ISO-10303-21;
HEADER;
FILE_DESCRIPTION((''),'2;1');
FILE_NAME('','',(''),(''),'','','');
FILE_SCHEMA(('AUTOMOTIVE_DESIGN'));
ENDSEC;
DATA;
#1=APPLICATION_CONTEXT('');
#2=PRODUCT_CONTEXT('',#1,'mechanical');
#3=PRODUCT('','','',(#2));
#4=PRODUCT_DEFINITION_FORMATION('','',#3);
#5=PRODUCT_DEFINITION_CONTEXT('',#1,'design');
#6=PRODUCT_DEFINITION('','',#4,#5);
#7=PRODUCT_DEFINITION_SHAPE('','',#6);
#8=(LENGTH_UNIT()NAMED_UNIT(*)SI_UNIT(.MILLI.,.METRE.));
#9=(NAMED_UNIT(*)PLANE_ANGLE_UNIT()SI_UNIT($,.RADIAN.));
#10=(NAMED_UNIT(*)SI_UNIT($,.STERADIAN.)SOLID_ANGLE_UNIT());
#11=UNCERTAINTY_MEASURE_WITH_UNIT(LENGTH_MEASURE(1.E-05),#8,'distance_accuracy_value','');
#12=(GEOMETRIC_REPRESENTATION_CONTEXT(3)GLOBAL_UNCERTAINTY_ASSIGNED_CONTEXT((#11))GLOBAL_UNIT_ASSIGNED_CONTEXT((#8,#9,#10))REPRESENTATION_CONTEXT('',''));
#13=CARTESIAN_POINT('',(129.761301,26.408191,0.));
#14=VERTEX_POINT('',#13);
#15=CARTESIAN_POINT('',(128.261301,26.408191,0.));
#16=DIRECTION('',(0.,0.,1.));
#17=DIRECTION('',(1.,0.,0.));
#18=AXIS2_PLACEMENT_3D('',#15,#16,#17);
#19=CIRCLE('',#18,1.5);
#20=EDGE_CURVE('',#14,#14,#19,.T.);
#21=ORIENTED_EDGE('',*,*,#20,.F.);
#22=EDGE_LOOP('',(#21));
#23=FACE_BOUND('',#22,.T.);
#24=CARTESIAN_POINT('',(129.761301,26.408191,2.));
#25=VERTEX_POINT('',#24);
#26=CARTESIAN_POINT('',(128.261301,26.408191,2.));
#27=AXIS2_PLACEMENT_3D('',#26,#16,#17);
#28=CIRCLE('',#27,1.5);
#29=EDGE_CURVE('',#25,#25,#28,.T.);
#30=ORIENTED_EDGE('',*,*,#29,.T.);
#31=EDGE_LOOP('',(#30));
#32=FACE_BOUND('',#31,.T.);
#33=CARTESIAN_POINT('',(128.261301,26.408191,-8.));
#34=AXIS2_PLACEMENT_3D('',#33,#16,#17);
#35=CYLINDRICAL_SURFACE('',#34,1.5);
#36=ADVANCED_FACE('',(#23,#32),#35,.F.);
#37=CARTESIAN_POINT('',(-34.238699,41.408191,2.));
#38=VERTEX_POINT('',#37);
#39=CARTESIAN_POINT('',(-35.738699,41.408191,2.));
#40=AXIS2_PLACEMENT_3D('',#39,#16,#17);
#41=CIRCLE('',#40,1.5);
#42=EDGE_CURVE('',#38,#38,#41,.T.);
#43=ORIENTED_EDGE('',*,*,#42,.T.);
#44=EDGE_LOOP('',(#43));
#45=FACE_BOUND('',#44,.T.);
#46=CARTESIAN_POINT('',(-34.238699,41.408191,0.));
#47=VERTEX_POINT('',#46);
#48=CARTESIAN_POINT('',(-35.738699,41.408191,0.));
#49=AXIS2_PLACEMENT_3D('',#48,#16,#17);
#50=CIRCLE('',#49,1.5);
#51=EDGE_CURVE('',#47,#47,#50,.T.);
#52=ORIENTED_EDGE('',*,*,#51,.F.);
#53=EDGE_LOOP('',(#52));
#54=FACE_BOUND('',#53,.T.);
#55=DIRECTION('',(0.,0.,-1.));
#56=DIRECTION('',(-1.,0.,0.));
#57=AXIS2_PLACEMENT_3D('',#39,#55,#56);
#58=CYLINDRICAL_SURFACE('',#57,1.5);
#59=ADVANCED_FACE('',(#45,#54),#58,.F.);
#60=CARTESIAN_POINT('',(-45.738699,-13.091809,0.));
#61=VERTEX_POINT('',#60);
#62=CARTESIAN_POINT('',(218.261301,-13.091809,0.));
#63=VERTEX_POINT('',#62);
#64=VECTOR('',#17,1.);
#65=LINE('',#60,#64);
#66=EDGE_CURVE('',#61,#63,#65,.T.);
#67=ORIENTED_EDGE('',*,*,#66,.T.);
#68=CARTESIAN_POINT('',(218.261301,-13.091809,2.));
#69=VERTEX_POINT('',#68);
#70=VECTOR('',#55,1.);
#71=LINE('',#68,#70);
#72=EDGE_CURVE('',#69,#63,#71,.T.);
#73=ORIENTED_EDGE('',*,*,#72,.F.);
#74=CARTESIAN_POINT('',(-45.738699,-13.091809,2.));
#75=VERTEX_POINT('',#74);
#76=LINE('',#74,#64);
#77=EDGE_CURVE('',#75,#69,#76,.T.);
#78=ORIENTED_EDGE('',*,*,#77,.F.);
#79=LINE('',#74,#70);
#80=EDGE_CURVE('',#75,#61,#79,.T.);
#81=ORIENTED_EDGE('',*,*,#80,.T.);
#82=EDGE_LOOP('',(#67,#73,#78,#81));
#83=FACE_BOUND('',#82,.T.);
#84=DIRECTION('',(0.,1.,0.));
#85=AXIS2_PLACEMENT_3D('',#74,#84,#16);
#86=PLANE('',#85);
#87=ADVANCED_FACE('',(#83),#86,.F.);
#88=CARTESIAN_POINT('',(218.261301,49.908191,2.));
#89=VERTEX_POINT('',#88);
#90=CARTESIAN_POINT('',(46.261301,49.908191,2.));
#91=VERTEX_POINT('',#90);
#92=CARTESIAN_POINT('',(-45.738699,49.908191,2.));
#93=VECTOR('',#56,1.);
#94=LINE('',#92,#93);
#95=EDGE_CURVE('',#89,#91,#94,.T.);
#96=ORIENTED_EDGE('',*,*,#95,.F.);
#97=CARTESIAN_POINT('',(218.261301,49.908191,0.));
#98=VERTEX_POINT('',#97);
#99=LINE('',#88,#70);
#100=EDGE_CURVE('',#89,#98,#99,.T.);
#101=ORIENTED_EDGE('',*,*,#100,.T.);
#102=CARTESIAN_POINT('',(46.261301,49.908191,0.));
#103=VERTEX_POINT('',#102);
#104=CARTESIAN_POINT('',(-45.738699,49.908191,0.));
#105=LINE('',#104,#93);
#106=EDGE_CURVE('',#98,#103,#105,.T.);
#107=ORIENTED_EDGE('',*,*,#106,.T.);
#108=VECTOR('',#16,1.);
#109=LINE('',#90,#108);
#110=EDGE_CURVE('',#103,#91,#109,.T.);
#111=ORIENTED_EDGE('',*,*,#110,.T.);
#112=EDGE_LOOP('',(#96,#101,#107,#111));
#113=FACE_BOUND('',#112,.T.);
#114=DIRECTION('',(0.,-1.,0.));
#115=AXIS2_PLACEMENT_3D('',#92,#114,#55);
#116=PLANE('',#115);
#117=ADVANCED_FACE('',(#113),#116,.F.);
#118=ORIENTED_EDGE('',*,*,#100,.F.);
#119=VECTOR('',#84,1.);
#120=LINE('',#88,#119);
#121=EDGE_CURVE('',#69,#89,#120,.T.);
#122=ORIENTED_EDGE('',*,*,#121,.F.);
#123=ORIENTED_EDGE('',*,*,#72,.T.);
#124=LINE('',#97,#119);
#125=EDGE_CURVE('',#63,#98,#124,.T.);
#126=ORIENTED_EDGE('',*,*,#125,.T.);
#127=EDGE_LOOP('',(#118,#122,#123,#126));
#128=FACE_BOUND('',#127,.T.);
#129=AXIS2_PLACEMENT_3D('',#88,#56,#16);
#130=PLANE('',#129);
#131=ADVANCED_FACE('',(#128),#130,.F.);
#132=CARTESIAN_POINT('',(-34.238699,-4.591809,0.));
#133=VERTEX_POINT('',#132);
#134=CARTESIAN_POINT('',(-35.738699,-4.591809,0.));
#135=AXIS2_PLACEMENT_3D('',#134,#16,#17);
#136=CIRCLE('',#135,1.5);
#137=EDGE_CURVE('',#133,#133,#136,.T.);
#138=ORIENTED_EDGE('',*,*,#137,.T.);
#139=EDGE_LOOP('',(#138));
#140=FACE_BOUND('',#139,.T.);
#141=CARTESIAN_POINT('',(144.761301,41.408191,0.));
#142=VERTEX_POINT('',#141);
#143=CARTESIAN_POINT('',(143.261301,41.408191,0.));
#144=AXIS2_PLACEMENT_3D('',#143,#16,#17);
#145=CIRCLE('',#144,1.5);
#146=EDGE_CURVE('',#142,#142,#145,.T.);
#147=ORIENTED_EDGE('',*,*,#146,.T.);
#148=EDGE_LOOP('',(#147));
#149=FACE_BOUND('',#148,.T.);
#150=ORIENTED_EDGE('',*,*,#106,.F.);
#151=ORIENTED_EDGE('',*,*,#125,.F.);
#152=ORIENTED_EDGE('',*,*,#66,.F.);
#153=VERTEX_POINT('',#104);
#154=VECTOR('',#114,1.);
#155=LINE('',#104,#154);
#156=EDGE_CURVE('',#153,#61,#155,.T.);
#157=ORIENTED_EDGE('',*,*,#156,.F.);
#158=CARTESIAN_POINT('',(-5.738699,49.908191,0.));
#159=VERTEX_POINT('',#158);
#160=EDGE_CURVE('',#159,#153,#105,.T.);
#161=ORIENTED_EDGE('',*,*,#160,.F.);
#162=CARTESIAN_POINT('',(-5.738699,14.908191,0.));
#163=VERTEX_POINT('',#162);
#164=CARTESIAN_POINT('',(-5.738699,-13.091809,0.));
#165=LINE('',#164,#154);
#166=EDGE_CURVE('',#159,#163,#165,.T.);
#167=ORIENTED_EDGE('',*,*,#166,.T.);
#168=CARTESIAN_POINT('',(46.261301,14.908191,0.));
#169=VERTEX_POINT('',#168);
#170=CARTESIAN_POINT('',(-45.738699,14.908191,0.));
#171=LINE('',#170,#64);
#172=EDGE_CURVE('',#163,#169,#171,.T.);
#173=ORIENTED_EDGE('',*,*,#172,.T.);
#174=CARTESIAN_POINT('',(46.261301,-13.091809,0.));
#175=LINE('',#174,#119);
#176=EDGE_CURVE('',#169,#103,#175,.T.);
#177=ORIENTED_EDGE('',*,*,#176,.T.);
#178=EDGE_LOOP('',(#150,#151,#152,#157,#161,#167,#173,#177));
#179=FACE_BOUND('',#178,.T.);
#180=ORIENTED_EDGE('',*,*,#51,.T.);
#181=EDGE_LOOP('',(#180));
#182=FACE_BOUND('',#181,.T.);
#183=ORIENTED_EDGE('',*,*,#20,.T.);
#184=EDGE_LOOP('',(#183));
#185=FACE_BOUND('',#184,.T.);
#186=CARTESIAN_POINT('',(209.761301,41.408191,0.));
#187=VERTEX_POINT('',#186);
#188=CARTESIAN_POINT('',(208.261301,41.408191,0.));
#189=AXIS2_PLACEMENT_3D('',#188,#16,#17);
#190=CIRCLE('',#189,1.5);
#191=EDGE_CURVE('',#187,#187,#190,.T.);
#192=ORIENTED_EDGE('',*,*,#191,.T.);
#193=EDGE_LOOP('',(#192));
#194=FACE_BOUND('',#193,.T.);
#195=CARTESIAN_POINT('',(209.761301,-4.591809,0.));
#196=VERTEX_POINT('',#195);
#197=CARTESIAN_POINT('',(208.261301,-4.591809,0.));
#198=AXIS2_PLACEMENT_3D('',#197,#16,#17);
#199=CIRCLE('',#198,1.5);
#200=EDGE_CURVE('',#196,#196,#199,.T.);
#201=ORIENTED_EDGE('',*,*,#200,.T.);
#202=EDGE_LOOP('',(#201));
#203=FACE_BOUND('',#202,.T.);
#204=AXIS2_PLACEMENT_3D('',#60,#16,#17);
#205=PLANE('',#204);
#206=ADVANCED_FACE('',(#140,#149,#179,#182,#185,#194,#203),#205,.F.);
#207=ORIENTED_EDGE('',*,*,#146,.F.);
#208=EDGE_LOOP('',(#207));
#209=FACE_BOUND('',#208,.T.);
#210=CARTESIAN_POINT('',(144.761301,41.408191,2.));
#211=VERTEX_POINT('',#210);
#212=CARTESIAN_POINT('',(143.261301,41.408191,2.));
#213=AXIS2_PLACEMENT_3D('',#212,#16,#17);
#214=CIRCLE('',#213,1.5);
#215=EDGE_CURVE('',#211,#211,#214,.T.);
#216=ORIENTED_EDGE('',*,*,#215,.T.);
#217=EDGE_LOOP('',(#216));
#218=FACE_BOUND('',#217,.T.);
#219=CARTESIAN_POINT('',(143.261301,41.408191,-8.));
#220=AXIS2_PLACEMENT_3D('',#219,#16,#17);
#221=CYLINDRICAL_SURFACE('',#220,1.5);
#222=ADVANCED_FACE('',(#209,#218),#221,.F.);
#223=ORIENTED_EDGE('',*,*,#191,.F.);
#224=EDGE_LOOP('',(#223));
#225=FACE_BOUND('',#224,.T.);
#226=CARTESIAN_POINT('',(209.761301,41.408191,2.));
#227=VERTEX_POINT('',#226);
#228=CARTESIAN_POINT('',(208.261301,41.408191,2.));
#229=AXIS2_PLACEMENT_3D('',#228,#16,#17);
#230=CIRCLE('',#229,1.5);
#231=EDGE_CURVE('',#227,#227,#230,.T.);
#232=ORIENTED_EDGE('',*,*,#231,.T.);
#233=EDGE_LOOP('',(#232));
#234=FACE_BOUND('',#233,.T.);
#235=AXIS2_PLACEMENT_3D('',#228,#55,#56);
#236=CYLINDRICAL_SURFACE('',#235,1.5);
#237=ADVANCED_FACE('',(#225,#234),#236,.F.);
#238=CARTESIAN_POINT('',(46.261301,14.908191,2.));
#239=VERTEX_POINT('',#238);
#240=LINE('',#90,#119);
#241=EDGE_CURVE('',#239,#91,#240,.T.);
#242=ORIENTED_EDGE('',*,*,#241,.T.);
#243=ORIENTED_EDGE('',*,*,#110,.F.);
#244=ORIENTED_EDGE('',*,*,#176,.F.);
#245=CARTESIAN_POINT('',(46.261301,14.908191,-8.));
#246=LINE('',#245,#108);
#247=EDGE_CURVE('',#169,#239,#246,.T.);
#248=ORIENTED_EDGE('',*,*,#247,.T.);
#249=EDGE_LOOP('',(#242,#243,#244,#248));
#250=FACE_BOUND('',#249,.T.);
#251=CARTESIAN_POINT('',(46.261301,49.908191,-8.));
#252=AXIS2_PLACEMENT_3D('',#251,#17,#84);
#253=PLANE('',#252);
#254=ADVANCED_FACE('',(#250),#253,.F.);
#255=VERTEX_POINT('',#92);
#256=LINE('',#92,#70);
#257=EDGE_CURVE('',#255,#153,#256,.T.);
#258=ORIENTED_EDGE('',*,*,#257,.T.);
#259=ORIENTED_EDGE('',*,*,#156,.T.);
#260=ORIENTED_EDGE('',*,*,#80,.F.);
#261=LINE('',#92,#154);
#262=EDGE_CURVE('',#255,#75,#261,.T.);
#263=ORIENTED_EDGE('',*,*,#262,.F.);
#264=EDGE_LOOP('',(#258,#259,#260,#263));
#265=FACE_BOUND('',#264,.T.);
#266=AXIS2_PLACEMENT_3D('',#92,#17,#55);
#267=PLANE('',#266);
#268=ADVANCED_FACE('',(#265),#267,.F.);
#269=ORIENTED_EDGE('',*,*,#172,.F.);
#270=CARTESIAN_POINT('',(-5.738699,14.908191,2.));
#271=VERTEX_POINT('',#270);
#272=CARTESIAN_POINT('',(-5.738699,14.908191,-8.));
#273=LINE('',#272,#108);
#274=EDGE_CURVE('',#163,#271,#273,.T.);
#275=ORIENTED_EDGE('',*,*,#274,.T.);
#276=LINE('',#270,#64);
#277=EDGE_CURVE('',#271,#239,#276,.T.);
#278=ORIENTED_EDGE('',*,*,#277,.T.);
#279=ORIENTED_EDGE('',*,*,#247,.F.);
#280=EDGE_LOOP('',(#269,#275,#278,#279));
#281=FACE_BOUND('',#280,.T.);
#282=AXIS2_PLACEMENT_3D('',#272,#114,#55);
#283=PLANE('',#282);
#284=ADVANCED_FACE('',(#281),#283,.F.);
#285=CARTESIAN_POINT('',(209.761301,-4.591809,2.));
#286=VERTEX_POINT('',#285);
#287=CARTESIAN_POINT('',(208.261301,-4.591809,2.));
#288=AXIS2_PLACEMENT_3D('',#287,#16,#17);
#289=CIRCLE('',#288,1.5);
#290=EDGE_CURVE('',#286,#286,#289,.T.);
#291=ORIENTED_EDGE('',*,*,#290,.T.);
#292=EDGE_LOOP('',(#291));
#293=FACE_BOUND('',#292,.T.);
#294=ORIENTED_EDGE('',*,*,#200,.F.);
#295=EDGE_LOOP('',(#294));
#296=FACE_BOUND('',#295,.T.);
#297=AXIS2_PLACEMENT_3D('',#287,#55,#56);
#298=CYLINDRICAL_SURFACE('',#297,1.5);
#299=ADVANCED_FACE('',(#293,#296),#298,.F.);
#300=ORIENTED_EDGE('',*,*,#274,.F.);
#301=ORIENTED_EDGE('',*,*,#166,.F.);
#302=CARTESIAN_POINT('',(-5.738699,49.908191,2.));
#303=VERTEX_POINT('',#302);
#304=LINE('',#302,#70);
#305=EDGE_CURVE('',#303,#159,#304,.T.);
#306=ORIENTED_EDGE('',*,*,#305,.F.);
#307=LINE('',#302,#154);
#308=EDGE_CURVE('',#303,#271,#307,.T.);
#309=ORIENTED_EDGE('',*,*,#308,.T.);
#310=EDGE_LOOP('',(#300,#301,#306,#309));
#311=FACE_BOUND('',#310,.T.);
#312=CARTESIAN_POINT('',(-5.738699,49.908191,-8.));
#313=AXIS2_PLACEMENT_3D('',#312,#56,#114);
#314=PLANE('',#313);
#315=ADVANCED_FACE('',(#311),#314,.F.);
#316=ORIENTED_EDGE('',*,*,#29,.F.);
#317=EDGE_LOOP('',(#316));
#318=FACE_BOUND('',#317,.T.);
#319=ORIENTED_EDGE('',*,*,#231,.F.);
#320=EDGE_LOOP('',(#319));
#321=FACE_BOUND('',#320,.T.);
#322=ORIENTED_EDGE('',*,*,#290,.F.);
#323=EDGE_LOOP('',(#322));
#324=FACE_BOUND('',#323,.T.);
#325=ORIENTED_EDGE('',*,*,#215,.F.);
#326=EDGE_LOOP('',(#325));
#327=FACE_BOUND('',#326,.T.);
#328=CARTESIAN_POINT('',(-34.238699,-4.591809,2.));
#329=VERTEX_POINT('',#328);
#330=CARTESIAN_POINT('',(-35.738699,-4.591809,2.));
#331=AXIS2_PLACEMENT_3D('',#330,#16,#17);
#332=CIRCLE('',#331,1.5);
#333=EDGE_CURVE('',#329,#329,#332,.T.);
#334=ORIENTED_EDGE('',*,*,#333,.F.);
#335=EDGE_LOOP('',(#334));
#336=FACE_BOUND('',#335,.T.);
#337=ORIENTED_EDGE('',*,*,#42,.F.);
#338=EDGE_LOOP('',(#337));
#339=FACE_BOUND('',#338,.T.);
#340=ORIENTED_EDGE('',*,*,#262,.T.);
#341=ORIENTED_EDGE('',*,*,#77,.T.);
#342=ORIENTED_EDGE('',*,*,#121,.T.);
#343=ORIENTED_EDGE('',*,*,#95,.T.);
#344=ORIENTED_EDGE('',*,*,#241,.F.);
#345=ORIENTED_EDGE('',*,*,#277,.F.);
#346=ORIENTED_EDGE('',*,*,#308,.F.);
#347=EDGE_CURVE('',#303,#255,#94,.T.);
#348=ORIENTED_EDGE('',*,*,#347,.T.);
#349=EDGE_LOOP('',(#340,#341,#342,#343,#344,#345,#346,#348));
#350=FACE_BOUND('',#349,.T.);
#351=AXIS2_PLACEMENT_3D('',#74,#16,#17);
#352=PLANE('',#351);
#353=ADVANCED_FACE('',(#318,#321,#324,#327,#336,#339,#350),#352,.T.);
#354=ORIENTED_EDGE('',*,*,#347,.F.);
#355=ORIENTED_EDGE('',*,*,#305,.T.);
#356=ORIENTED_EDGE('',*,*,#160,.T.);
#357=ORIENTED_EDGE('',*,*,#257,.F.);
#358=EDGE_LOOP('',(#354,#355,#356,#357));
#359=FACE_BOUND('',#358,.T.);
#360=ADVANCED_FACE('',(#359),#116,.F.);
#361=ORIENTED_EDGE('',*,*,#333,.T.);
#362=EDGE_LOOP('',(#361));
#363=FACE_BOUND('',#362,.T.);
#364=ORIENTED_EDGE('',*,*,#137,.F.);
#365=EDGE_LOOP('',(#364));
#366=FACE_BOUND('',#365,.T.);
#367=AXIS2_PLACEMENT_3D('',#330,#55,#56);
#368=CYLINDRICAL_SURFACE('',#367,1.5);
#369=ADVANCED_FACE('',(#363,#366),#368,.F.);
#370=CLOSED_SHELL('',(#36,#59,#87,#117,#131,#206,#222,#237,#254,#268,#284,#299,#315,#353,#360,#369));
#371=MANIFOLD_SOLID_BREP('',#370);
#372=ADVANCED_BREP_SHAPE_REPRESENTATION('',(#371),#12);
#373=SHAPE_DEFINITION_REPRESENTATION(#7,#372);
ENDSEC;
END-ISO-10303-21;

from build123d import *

# Parameters (mm, degrees)
ESQUISSE1_W      = 264
ESQUISSE1_H      = 63
ESQUISSE1_R      = 1.5
EXTRUSION1_DEPTH = 2
ESQUISSE2_R      = 1.5
EXTRUSION2_DEPTH = 10
ESQUISSE3_W      = 52
ESQUISSE3_H      = 35
EXTRUSION3_DEPTH = 10


with BuildPart() as part:
    # Esquisse1 → Extrusion1 (new body)
    with BuildSketch(Plane.XY):
        with Locations((86.261300687, 18.408191489)):
            Rectangle(ESQUISSE1_W, ESQUISSE1_H)
        with Locations((-35.738699313, 41.408191489)):
            Circle(ESQUISSE1_R, mode=Mode.SUBTRACT)
        with Locations((-35.738699313, -4.591808511)):
            Circle(ESQUISSE1_R, mode=Mode.SUBTRACT)
        with Locations((208.261300687, 41.408191489)):
            Circle(ESQUISSE1_R, mode=Mode.SUBTRACT)
        with Locations((208.261300687, -4.591808511)):
            Circle(ESQUISSE1_R, mode=Mode.SUBTRACT)
    extrude(amount=EXTRUSION1_DEPTH)

    # Esquisse2 → Extrusion2 (cut)
    with BuildSketch(Plane.XY.offset(2)):
        with Locations((143.261300687, 41.408191489)):
            Circle(ESQUISSE2_R)
        with Locations((128.261300687, 26.408191489)):
            Circle(ESQUISSE2_R)
    extrude(amount=-EXTRUSION2_DEPTH, mode=Mode.SUBTRACT)

    # Esquisse3 → Extrusion3 (cut)
    with BuildSketch(Plane.XY.offset(2)):
        with Locations((20.261300687, 32.408191489)):
            Rectangle(ESQUISSE3_W, ESQUISSE3_H)
    extrude(amount=-EXTRUSION3_DEPTH, mode=Mode.SUBTRACT)


solid = part.part
